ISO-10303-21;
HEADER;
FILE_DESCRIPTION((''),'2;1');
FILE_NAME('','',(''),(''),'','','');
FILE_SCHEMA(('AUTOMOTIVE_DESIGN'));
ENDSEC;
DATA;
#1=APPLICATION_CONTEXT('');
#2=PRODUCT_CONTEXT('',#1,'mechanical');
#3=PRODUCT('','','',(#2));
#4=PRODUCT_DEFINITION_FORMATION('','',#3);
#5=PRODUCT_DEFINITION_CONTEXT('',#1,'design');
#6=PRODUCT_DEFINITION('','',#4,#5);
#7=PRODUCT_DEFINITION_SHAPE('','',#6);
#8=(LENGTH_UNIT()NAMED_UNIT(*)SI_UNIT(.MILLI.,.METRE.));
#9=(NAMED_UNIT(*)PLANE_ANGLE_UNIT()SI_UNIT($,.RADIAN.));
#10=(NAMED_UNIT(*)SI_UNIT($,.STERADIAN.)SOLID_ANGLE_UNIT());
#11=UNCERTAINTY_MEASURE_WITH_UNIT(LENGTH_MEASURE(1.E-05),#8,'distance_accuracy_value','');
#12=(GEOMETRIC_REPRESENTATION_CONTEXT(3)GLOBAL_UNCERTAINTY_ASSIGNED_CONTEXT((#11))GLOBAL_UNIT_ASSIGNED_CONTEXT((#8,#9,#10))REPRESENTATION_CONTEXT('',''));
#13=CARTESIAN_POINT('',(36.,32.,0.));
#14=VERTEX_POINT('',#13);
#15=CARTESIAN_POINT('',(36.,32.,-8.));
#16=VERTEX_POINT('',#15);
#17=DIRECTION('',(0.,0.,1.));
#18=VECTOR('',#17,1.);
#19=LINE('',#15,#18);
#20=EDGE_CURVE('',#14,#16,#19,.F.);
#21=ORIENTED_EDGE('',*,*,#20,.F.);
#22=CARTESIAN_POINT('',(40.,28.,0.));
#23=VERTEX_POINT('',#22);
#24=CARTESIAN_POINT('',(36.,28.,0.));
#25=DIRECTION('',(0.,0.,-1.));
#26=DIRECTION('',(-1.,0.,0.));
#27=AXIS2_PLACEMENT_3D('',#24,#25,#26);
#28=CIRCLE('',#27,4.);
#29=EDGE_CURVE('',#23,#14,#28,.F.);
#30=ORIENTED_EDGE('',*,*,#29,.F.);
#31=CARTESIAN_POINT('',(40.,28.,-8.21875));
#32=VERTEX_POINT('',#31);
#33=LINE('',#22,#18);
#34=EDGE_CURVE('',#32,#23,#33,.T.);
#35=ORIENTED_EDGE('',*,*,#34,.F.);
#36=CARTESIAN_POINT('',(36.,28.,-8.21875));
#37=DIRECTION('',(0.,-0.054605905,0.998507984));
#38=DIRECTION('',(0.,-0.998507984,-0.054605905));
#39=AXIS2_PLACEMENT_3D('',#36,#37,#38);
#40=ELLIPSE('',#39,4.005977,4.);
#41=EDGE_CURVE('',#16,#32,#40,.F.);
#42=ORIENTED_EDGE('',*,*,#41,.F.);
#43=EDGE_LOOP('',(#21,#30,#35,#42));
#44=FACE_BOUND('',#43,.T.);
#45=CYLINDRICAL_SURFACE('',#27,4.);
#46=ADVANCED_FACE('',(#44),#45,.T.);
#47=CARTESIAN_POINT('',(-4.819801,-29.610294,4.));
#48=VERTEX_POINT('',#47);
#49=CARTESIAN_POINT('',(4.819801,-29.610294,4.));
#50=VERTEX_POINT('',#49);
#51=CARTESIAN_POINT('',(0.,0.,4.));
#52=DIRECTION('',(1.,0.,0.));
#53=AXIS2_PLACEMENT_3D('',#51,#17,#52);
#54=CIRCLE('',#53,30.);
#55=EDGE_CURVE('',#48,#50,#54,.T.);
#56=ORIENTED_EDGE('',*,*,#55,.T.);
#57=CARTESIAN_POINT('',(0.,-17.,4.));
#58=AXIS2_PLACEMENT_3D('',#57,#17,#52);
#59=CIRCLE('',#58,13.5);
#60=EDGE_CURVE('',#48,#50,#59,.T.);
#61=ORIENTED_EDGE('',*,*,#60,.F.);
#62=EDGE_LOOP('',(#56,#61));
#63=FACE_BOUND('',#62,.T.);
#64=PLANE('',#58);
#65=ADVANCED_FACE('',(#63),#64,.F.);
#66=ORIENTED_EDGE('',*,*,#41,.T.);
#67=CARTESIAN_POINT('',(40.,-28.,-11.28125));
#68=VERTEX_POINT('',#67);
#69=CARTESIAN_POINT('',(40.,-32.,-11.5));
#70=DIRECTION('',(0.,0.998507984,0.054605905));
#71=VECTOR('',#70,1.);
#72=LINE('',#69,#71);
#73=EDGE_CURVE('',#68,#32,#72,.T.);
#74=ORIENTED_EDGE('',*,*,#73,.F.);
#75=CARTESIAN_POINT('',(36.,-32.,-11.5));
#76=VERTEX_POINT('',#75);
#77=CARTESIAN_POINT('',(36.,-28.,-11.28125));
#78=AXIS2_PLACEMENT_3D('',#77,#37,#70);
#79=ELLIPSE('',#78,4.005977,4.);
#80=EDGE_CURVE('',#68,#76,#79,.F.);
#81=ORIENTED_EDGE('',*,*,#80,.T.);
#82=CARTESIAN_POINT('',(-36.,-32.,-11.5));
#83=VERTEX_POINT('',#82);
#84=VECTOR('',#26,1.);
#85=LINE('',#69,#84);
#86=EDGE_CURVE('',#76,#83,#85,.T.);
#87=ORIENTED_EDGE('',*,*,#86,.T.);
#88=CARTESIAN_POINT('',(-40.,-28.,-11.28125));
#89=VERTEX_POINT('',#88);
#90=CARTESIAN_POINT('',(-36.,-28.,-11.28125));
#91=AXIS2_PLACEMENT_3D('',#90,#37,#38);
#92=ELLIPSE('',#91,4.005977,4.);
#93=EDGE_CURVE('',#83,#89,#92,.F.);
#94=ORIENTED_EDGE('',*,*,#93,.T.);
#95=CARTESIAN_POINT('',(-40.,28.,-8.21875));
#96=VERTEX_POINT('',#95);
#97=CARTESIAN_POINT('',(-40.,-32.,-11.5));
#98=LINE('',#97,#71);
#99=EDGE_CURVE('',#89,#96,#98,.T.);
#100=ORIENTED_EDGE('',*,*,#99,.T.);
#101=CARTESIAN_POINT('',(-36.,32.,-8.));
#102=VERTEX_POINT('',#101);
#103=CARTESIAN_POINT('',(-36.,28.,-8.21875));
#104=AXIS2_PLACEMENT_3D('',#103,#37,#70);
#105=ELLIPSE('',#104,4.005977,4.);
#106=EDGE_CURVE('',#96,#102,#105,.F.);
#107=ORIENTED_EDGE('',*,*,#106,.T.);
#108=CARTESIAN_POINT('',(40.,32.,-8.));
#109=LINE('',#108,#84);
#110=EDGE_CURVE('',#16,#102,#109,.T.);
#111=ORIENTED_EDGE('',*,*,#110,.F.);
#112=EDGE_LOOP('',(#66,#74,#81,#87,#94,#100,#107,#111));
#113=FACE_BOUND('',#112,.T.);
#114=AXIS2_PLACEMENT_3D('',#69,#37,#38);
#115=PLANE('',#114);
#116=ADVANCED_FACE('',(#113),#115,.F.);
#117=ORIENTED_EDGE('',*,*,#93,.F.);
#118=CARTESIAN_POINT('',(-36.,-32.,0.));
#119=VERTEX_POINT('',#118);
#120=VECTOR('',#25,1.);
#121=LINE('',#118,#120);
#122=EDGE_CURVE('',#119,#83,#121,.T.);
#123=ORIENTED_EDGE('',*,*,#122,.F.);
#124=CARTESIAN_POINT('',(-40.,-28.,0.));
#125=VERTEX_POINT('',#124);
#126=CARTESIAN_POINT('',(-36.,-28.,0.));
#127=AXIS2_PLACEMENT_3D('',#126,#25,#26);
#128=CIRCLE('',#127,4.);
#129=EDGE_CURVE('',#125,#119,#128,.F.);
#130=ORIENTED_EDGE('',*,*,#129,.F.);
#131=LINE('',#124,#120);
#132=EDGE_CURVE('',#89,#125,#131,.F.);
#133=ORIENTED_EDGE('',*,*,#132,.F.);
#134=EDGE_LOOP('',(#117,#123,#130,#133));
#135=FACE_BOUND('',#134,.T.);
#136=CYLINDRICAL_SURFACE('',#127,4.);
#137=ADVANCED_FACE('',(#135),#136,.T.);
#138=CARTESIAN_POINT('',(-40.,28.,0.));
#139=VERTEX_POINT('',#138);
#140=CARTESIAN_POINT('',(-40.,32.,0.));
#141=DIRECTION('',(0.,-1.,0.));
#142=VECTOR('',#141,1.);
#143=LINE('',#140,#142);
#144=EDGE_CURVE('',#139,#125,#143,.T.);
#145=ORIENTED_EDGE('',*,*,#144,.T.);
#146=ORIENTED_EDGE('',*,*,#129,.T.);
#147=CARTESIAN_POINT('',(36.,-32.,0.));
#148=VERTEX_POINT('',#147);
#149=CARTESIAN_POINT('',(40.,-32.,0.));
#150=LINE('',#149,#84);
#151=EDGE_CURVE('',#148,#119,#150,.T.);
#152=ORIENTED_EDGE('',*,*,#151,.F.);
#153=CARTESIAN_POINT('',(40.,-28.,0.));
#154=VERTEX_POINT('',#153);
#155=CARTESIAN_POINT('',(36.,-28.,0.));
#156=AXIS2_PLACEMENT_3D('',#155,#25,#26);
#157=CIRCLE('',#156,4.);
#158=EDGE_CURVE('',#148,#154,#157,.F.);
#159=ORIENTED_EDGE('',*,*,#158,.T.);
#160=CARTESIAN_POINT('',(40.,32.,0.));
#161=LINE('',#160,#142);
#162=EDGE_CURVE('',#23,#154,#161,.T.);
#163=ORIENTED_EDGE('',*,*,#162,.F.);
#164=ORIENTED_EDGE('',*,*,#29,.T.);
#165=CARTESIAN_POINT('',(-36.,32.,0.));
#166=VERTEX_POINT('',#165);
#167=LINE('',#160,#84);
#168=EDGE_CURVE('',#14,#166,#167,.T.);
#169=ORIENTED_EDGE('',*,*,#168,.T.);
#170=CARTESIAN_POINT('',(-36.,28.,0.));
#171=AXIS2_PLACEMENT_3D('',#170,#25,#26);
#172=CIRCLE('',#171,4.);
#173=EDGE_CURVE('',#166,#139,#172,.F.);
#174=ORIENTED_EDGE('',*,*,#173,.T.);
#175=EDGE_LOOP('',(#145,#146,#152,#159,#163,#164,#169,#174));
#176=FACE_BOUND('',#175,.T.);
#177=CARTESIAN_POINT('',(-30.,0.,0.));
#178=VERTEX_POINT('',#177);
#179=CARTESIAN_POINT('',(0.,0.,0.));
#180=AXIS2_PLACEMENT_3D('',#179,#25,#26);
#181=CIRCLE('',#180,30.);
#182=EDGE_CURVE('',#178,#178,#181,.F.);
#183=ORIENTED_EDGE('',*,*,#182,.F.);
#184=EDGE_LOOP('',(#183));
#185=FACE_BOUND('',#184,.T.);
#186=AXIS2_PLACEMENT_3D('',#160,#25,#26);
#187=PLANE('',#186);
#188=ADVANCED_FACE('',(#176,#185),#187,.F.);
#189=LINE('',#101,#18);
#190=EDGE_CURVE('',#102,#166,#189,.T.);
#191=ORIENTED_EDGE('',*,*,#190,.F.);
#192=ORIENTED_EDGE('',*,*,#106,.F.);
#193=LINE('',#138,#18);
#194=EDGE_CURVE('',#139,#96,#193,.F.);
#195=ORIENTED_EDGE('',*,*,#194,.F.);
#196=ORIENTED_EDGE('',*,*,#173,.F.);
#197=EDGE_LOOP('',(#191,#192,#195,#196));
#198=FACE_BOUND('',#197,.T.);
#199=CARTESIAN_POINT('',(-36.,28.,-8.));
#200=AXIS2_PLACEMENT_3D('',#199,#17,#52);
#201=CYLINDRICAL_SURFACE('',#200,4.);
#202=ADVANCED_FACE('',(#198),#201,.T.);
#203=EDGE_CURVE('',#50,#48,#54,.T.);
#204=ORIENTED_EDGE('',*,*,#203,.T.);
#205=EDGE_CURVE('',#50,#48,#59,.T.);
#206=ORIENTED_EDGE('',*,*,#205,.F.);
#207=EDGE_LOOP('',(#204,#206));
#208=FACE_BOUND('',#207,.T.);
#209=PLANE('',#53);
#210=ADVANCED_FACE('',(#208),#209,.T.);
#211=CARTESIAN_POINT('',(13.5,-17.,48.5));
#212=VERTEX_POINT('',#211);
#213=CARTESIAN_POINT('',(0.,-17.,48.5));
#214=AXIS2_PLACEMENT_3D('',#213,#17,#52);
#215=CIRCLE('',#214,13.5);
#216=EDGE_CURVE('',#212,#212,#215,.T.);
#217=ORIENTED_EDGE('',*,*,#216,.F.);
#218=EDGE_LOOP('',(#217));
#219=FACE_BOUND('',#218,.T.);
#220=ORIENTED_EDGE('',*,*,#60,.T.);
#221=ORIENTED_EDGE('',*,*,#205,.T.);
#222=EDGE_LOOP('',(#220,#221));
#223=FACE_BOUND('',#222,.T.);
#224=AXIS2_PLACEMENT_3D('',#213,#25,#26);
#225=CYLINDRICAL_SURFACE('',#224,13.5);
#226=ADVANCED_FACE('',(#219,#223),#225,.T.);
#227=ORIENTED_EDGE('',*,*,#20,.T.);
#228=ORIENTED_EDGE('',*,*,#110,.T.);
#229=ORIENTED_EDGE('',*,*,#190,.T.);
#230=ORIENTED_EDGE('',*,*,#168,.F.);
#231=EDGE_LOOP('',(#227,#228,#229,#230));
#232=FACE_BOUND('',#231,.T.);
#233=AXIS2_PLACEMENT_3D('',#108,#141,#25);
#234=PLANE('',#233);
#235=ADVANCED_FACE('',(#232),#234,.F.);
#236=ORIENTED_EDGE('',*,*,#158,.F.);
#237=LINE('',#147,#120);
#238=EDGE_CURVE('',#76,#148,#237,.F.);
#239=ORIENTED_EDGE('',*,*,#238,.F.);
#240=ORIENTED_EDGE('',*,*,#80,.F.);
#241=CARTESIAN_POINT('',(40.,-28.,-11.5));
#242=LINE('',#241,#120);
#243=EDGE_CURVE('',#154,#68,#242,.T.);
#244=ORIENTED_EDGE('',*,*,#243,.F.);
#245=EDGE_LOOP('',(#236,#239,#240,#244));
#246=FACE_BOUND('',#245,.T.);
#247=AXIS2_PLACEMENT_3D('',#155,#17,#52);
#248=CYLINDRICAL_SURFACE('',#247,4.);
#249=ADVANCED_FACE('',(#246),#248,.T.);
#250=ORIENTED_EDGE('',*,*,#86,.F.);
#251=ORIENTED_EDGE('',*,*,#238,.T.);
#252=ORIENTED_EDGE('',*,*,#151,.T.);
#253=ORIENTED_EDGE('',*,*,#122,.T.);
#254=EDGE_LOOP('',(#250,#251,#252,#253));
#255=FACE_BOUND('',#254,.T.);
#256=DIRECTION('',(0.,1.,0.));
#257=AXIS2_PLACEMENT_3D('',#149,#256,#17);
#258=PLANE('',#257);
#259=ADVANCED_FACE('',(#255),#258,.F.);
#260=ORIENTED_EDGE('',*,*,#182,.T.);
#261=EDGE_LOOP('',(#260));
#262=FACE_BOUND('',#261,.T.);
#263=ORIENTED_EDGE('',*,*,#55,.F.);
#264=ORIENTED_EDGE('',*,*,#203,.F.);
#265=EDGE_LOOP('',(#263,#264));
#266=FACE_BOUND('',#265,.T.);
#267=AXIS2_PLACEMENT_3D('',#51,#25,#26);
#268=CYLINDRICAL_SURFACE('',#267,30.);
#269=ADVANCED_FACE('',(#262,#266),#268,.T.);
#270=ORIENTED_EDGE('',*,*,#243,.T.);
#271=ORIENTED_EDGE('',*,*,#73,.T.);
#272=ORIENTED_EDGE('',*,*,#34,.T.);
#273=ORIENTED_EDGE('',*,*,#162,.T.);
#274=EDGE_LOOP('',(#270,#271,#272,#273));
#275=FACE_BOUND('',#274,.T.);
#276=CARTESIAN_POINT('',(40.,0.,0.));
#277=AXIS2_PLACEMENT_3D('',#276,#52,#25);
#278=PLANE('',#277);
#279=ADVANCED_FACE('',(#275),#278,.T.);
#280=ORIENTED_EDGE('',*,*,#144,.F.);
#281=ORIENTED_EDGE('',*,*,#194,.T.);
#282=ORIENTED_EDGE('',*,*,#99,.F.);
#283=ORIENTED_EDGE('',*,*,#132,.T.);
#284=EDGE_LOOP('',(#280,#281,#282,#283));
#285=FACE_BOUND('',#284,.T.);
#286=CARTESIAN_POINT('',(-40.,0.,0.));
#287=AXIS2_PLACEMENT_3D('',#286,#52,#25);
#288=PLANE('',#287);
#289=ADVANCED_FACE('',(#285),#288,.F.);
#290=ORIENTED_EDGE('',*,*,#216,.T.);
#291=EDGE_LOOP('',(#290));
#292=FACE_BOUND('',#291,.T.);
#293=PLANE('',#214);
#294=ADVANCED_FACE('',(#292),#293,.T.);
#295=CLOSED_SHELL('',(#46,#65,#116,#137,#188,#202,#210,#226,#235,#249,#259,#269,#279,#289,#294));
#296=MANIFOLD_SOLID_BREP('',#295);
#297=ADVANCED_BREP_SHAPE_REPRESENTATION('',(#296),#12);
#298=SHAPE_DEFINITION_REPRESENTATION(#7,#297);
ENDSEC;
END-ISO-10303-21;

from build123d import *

# Parameters (mm, degrees)
BOSS_EXTRUDE1_DEPTH = 40
FILLET1_R           = 4
SKETCH2_R           = 30
BOSS_EXTRUDE2_DEPTH = 4
SKETCH3_R           = 13.5
BOSS_EXTRUDE3_DEPTH = 44.5


with BuildPart() as part:
    # Sketch1 → Boss-Extrude1 (new, symmetric)
    with BuildSketch(Plane(origin=(0, 0, 0), x_dir=(0, 0, -1), z_dir=(1, 0, 0))):
        Polygon((0, 32), (0, -32), (11.5, -32), (8, 32), align=None)
    extrude(amount=BOSS_EXTRUDE1_DEPTH, both=True)

    # Fillet1
    fillet1_edges = [part.edges().sort_by_distance(p)[0] for p in [
        (40, -32, -5.75),
        (40, 32, -4),
        (-40, -32, -5.75),
        (-40, 32, -4),
    ]]
    fillet(fillet1_edges, radius=FILLET1_R)

    # Sketch2 → Boss-Extrude2 (add)
    with BuildSketch(Plane.XY):
        with Locations(Location((0, 0, 0), (0, 0, 180))):
            Circle(SKETCH2_R)
    extrude(amount=BOSS_EXTRUDE2_DEPTH)

    # Sketch3 → Boss-Extrude3 (add)
    with BuildSketch(Plane.XY.offset(4)):
        with Locations(Location((0, -17, 0), (0, 0, 249.082562466))):
            Circle(SKETCH3_R)
    extrude(amount=BOSS_EXTRUDE3_DEPTH)


solid = part.part
